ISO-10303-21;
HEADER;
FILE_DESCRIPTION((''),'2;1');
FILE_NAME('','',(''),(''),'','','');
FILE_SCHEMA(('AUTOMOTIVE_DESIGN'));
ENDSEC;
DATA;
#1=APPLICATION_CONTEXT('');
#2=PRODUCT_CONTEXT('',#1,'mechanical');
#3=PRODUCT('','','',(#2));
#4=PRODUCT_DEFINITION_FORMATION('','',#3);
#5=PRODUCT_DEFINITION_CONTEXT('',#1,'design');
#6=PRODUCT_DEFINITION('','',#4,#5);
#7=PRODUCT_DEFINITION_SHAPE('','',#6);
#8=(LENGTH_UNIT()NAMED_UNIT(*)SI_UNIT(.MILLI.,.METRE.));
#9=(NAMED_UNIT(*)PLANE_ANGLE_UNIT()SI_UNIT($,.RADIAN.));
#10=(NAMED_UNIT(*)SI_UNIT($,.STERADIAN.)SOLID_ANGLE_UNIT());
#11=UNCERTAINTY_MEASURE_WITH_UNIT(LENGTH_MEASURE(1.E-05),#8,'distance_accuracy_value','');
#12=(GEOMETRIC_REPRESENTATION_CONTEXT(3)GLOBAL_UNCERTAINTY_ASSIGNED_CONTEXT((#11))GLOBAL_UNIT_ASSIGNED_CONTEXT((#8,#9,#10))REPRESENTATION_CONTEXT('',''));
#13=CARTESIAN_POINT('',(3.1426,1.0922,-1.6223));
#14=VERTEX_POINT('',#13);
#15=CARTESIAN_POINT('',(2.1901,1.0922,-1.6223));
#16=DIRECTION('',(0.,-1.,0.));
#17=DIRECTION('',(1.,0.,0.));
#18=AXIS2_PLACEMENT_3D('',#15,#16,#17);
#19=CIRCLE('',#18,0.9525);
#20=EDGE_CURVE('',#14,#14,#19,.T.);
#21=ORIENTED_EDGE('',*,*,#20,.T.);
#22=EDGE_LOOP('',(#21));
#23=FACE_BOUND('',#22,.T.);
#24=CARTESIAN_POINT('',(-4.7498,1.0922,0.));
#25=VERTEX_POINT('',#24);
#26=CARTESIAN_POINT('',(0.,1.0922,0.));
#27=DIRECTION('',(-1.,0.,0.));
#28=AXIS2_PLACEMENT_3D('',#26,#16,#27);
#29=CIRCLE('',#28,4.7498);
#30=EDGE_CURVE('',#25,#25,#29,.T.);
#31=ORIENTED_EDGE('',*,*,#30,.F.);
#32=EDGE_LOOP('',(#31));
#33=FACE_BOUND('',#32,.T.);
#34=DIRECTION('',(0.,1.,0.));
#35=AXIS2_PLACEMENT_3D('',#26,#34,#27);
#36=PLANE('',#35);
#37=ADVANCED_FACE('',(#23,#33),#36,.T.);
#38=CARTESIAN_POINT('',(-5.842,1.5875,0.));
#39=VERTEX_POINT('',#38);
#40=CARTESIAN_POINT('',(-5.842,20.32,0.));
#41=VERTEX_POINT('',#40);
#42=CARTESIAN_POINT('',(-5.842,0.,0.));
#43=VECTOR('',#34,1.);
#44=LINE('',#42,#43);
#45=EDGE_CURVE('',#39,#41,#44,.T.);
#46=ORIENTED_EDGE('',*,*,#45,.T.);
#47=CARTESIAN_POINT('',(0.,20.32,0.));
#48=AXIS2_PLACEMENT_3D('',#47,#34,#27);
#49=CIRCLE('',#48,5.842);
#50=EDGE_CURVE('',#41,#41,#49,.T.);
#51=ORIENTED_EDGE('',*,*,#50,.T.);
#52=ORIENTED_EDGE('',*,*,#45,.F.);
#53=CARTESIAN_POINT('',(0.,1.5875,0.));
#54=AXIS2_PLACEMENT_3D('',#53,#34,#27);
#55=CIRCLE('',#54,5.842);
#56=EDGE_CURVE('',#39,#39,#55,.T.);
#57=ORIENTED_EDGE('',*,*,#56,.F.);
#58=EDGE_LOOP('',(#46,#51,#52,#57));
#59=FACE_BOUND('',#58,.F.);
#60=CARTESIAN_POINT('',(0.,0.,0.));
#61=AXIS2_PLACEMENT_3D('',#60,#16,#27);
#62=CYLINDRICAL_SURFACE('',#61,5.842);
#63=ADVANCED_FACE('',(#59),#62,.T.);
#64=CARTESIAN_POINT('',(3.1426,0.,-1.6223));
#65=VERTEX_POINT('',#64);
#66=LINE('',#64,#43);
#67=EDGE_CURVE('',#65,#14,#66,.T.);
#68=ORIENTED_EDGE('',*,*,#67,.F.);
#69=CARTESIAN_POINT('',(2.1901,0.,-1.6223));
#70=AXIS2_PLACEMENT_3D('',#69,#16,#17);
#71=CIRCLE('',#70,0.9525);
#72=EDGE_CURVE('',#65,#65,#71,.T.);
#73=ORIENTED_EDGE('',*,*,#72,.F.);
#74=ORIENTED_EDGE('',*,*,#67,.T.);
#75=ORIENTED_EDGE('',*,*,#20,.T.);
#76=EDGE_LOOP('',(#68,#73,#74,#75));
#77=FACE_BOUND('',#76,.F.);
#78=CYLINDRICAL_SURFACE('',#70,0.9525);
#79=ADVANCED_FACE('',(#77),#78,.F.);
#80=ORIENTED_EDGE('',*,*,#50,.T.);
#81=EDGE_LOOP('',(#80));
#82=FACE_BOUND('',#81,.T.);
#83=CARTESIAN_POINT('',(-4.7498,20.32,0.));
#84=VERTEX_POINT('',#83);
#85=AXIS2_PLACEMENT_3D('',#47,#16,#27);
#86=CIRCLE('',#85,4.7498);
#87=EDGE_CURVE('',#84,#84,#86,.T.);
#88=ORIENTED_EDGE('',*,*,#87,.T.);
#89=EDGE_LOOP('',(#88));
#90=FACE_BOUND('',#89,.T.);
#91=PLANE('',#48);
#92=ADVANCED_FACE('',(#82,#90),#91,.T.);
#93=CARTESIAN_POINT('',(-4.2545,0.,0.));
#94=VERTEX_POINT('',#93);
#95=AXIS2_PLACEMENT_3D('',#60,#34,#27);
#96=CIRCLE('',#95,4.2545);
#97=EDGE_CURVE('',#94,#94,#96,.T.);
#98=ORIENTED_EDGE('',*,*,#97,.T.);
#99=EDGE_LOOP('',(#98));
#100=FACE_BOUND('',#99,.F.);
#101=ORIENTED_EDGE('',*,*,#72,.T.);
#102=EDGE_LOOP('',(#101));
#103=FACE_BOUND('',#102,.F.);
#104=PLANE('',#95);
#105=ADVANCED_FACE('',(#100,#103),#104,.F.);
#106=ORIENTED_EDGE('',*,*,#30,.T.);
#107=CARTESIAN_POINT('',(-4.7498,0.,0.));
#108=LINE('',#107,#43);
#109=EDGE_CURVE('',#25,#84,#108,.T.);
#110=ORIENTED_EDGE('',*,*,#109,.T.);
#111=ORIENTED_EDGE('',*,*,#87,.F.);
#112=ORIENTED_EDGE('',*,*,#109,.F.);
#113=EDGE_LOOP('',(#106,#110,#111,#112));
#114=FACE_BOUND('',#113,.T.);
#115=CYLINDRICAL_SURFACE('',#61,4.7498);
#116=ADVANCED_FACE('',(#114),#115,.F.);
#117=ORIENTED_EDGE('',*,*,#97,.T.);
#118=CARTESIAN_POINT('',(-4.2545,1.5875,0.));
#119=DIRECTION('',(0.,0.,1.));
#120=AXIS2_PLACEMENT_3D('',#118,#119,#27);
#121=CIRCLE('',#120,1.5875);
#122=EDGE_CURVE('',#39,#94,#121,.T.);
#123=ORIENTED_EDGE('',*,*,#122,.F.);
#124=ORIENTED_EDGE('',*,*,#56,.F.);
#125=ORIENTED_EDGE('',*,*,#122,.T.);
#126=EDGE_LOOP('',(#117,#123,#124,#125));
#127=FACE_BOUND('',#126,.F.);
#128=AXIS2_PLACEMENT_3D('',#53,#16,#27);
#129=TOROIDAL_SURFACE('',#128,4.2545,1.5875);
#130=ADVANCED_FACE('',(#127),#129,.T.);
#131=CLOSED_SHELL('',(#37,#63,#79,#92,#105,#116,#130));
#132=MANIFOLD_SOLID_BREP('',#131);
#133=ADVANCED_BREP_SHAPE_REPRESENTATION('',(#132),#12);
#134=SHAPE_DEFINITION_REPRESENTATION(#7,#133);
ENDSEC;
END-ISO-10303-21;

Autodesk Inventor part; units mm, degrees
ref_plane "YZ Plane" through (0, 0, 0) normal (1, 0, 0) x (0, 1, 0)
ref_plane "XZ Plane" through (0, 0, 0) normal (0, 1, 0) x (-1, 0, 0)
ref_plane "XY Plane" through (0, 0, 0) normal (0, 0, 1) x (1, 0, 0)
sketch "Sketch1" plane through (0, 0, 0) normal (0, 1, 0) x (-1, 0, 0)
  circle A0 centre (0, 0) radius 5.842
  dimension "d0" = 11.684
extrude "Extrusion1" add sketch "Sketch1" along normal blind 20.32
shell "Shell1" thickness 1.0922 removed faces 1 at (-0.5241, 20.32, 1.3818)
fillet "Fillet1" radius 1.5875 1 edges at (5.842, 0, 0)
sketch "Sketch2" plane through (0, 0, 0) normal (0, -1, 0) x (1, 0, 0)
  circle A0 centre (2.1901, -1.6223) radius 0.9525
  point P0 (0, 0)
  dimension "d5" = 1.905
extrude "Extrusion2" cut sketch "Sketch2" against normal through all
properties part number "bottun tube" material "Glass"
